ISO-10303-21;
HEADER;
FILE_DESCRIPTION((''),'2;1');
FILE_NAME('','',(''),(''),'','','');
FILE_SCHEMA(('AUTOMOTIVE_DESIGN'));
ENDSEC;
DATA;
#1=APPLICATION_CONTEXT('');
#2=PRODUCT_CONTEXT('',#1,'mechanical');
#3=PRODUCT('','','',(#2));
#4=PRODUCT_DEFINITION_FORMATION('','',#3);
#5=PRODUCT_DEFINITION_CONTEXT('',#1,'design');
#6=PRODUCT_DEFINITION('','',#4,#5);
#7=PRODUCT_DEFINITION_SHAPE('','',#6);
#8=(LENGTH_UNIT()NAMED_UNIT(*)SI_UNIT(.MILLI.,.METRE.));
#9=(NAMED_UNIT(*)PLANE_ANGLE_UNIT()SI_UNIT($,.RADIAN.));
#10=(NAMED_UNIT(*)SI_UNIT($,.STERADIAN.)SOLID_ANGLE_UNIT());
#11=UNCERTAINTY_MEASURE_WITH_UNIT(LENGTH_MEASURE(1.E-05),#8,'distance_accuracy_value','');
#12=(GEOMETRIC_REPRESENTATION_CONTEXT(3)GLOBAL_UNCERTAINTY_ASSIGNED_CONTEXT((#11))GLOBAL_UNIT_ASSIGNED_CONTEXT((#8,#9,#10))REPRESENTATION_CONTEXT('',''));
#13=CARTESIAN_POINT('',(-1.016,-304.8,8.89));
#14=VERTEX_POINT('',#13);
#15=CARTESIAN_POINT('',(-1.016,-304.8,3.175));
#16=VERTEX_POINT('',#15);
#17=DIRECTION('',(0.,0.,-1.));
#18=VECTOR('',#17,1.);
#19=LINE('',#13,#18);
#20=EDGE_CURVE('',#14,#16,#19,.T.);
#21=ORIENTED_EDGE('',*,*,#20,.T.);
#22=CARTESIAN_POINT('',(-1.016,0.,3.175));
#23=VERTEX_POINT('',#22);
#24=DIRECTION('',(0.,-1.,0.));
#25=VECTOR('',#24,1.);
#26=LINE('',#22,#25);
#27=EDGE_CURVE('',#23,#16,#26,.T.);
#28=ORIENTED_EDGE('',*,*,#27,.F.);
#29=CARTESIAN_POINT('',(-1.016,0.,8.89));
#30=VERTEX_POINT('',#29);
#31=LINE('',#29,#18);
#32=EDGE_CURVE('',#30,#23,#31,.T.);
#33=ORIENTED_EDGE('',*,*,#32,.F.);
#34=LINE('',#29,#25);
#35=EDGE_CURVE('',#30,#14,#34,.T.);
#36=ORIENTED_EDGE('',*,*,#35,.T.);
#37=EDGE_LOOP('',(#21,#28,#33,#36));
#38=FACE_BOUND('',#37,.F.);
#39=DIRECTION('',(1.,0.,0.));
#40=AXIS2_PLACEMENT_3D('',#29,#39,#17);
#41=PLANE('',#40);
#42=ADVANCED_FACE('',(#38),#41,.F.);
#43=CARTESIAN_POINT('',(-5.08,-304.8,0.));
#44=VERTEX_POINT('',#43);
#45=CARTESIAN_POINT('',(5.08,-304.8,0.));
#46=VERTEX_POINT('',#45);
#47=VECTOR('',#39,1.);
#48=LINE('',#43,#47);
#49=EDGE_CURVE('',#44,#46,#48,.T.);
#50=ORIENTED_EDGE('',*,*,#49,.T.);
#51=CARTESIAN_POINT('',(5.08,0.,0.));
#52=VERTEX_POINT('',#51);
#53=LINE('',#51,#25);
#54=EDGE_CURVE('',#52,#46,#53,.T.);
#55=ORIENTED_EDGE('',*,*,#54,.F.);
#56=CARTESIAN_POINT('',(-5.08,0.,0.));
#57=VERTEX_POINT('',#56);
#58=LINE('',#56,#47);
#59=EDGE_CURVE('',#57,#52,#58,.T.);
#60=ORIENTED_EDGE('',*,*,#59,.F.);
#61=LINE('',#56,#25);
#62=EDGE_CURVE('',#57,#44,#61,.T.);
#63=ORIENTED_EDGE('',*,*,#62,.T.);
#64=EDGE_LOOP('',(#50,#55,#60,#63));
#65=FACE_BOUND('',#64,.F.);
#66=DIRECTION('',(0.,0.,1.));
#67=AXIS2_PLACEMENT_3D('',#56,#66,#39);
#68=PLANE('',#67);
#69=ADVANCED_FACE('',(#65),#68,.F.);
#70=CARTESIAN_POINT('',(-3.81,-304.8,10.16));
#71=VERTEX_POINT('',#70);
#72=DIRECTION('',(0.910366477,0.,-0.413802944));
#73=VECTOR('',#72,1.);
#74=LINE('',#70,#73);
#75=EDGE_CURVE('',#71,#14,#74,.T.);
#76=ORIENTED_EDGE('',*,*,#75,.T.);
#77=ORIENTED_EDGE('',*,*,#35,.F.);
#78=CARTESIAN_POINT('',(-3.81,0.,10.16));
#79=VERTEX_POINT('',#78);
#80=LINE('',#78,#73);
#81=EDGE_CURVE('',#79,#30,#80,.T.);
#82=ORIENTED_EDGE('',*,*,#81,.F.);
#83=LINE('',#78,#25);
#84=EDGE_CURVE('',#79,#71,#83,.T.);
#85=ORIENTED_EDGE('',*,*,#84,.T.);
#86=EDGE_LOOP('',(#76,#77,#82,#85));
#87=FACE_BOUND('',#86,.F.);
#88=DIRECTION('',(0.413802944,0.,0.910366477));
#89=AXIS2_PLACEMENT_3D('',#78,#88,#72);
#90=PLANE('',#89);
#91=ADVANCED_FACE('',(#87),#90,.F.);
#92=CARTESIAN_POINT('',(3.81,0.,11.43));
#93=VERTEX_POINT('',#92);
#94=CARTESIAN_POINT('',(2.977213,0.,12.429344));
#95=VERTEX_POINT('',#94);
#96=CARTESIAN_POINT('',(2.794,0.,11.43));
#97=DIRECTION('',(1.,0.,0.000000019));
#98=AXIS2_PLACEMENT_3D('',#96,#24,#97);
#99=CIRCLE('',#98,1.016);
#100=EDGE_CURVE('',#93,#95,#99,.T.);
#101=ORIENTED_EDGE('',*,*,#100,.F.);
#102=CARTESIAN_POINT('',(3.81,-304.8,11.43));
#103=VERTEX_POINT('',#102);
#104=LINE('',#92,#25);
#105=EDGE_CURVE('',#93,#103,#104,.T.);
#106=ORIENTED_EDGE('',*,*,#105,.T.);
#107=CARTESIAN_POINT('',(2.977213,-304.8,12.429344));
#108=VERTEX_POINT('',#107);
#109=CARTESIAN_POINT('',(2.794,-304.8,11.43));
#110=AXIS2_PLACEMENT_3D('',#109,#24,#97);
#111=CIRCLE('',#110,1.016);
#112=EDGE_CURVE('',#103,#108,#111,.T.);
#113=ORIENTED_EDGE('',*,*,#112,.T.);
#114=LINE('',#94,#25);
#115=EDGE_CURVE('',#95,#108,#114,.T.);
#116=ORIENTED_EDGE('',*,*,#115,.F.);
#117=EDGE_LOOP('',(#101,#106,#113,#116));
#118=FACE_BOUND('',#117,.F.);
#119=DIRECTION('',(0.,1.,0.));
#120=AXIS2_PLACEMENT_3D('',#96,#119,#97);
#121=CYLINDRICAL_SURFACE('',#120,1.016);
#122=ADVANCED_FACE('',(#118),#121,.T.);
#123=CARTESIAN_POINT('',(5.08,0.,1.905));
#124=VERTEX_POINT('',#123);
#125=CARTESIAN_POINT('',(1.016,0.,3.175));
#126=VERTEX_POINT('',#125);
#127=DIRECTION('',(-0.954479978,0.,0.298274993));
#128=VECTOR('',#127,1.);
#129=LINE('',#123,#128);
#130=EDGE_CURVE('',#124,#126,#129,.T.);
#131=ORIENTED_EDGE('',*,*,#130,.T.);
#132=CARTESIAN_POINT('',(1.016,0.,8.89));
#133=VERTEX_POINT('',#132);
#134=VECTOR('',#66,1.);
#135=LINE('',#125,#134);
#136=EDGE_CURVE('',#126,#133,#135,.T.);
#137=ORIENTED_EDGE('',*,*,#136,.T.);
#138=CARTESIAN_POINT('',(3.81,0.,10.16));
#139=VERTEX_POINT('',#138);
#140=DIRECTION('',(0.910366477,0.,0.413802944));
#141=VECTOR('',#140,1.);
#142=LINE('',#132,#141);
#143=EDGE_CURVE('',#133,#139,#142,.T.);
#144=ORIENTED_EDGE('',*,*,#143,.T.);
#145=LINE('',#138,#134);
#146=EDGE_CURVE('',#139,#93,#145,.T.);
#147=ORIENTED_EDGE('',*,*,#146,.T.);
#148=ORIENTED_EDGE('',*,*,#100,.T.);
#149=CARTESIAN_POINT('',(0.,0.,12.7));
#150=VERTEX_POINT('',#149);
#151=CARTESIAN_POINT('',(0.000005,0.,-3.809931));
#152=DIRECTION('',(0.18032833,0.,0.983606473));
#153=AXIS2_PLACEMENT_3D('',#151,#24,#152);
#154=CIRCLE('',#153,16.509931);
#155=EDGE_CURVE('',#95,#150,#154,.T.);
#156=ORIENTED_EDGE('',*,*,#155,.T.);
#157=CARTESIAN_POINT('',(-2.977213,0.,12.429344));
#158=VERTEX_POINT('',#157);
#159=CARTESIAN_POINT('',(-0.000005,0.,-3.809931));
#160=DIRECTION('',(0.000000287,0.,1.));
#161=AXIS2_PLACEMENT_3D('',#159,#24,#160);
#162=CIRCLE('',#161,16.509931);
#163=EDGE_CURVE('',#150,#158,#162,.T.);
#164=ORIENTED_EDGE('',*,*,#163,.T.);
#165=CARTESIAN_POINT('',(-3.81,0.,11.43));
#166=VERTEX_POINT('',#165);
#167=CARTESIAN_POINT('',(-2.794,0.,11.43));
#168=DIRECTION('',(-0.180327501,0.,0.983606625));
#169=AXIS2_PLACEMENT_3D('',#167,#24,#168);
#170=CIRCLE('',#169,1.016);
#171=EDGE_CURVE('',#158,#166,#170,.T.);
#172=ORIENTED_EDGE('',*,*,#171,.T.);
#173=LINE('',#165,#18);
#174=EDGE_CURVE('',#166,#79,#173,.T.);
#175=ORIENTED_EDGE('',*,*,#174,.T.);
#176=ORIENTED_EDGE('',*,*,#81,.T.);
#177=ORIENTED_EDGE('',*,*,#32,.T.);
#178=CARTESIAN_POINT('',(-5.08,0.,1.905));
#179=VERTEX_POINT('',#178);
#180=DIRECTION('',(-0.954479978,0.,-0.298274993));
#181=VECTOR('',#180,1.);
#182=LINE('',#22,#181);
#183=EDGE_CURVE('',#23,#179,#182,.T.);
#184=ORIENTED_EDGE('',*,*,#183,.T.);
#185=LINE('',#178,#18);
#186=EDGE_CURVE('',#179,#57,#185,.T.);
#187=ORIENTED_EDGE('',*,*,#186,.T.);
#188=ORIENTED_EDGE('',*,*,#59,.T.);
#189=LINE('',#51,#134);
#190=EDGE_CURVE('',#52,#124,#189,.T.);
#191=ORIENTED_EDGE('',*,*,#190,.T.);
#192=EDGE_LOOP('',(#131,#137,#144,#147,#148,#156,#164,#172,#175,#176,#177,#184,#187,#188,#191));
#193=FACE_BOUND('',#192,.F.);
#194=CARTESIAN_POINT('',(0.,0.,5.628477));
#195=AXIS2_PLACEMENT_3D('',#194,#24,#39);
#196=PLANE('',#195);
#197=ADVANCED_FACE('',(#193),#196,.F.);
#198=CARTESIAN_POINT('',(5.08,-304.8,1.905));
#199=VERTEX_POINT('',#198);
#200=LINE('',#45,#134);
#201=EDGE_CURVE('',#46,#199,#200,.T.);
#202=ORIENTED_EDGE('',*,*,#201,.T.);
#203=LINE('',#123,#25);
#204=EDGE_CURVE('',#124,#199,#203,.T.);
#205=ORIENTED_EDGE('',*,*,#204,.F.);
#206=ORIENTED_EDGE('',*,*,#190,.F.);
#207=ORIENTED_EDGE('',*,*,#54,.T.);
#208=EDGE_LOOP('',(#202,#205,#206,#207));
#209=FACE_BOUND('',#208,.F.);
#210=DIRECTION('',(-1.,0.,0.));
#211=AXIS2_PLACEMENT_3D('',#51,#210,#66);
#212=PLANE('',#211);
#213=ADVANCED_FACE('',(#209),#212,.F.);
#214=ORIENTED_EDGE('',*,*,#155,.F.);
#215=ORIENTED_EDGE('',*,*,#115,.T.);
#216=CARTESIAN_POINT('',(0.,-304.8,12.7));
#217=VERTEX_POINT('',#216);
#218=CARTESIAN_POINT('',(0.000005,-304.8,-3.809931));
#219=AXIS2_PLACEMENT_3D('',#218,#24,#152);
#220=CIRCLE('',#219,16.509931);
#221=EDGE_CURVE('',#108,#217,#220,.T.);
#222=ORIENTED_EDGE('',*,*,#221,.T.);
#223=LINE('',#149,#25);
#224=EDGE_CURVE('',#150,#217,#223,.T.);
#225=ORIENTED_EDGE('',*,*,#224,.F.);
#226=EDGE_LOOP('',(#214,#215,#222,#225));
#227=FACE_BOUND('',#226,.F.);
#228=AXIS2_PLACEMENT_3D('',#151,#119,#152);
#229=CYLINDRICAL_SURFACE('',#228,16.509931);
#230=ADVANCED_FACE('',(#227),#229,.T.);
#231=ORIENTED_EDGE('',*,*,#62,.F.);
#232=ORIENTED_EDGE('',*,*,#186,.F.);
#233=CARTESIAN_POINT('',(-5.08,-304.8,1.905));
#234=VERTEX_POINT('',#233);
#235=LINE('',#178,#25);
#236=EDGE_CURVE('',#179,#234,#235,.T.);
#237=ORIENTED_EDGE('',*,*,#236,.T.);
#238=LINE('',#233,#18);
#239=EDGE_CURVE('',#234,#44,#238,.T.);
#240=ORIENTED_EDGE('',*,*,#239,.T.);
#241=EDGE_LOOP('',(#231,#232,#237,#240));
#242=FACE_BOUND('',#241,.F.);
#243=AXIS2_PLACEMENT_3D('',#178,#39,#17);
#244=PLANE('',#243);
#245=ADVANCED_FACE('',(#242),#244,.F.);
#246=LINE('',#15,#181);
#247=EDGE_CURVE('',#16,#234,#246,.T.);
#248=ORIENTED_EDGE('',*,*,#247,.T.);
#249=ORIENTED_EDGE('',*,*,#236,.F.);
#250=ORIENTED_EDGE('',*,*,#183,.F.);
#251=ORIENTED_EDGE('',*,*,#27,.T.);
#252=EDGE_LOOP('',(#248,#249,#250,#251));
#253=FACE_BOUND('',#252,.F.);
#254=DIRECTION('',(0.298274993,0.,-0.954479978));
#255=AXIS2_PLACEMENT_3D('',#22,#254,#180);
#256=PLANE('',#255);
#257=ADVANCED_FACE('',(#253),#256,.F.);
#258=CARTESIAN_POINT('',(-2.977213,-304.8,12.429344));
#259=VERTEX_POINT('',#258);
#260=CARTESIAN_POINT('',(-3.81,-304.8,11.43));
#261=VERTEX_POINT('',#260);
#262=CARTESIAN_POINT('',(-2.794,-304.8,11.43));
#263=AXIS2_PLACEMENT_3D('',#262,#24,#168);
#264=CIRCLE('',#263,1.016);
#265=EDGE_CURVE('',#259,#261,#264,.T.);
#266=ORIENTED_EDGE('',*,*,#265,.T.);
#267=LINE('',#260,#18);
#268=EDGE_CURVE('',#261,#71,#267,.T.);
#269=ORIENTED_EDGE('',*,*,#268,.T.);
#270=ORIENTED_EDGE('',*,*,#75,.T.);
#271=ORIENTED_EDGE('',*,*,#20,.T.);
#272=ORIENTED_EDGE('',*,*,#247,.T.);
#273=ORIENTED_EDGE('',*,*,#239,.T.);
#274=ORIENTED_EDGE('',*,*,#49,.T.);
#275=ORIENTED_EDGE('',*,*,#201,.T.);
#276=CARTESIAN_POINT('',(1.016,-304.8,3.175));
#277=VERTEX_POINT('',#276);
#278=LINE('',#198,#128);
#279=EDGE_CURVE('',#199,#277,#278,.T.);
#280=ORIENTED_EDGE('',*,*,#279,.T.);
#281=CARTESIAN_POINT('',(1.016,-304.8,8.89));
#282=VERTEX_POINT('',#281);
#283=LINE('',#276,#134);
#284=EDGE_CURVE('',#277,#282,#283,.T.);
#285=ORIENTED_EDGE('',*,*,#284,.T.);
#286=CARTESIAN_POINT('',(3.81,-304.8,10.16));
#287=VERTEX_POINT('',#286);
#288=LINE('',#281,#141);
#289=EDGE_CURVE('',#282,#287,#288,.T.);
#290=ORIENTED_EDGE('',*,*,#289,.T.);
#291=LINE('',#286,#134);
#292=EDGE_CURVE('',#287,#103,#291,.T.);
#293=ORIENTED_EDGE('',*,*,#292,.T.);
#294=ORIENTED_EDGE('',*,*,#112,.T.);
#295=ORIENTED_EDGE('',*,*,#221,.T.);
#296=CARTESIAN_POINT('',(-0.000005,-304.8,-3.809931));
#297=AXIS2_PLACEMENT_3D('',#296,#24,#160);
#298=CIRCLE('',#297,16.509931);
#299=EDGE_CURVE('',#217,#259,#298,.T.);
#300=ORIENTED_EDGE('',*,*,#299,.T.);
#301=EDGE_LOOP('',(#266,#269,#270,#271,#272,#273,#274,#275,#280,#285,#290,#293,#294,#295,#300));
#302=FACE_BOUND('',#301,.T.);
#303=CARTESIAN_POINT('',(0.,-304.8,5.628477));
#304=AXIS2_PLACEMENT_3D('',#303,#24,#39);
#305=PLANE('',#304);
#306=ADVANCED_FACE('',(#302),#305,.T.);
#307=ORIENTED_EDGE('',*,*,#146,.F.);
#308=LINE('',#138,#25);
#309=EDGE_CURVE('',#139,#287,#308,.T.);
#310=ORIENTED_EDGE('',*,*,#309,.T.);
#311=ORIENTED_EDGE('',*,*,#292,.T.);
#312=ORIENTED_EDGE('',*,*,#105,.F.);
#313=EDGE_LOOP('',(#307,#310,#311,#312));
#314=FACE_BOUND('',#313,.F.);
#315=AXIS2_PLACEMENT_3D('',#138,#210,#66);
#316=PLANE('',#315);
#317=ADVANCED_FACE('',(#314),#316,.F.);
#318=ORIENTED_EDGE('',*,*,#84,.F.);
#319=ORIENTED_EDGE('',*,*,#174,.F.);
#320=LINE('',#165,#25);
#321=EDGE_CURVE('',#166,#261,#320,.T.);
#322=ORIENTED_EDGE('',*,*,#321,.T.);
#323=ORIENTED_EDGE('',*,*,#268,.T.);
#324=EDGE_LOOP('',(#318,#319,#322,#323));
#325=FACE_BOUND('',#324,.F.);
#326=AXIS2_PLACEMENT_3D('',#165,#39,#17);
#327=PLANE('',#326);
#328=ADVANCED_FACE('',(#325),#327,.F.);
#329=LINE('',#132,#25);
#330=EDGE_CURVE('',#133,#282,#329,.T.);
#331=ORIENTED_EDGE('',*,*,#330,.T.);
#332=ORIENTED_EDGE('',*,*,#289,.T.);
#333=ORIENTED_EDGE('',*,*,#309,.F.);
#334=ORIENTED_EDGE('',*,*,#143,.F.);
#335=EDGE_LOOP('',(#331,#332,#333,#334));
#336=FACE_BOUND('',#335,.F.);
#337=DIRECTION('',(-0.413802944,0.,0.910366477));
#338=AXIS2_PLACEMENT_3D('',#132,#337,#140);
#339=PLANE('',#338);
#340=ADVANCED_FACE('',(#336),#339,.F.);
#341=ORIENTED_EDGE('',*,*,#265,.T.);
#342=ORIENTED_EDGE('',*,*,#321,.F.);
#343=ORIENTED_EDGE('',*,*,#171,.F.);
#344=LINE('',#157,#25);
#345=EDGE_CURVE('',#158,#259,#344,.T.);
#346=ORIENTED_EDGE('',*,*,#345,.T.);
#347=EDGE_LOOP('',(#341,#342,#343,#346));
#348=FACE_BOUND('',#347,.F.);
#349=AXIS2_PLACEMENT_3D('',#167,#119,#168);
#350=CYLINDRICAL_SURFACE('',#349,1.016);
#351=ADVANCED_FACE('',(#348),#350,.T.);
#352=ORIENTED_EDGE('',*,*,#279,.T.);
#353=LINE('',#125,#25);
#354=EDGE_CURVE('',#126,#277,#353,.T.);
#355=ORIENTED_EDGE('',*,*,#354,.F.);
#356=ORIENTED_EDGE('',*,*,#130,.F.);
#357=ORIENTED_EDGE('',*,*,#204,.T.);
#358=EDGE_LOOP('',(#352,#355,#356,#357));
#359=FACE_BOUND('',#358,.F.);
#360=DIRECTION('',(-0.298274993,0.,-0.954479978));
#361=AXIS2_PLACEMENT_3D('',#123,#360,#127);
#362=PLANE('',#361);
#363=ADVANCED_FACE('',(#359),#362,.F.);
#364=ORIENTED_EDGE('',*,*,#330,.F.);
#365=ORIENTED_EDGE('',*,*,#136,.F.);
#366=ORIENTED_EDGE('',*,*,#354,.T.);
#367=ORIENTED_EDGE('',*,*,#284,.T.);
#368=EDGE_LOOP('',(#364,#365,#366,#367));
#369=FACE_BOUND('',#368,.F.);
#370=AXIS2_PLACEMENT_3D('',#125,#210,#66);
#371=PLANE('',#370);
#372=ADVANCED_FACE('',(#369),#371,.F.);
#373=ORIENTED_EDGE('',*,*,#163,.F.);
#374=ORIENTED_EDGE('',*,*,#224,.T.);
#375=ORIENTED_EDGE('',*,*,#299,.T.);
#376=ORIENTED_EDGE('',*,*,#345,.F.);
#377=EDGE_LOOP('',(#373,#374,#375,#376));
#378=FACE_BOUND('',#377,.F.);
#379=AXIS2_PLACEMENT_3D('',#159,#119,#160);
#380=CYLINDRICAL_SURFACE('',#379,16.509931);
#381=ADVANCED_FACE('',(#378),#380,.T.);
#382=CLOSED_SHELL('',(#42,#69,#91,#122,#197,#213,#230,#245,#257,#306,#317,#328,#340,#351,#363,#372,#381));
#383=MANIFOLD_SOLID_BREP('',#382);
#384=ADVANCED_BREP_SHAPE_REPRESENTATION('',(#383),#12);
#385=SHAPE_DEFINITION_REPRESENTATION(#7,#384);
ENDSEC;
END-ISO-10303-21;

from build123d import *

# Parameters (mm, degrees)
F1_DEPTH = 304.8


with BuildPart() as f1:
    # F0 (on Front) → F1 (new body)
    with BuildSketch(Plane.XZ):
        with BuildLine():
            Line((-5.08, 0), (0, 0))
            Line((0, 0), (5.08, 0))
            Line((5.08, 0), (5.08, 1.905))
            Line((5.08, 1.905), (1.016, 3.175))
            Line((1.016, 3.175), (1.016, 8.89))
            Line((1.016, 8.89), (3.81, 10.16))
            Line((3.81, 10.16), (3.81, 11.43))
            ThreePointArc((3.81, 11.43), (3.574513, 12.080427), (2.977213, 12.429344))
            ThreePointArc((2.977213, 12.429344), (1.494745, 12.632197), (0, 12.7))
            ThreePointArc((0, 12.7), (-1.494745, 12.632197), (-2.977213, 12.429344))
            ThreePointArc((-2.977213, 12.429344), (-3.574513, 12.080427), (-3.81, 11.43))
            Line((-3.81, 11.43), (-3.81, 10.16))
            Line((-3.81, 10.16), (-1.016, 8.89))
            Line((-1.016, 8.89), (-1.016, 3.175))
            Line((-1.016, 3.175), (-5.08, 1.905))
            Line((-5.08, 1.905), (-5.08, 0))
        make_face()
    extrude(amount=F1_DEPTH)


solid = f1.part
